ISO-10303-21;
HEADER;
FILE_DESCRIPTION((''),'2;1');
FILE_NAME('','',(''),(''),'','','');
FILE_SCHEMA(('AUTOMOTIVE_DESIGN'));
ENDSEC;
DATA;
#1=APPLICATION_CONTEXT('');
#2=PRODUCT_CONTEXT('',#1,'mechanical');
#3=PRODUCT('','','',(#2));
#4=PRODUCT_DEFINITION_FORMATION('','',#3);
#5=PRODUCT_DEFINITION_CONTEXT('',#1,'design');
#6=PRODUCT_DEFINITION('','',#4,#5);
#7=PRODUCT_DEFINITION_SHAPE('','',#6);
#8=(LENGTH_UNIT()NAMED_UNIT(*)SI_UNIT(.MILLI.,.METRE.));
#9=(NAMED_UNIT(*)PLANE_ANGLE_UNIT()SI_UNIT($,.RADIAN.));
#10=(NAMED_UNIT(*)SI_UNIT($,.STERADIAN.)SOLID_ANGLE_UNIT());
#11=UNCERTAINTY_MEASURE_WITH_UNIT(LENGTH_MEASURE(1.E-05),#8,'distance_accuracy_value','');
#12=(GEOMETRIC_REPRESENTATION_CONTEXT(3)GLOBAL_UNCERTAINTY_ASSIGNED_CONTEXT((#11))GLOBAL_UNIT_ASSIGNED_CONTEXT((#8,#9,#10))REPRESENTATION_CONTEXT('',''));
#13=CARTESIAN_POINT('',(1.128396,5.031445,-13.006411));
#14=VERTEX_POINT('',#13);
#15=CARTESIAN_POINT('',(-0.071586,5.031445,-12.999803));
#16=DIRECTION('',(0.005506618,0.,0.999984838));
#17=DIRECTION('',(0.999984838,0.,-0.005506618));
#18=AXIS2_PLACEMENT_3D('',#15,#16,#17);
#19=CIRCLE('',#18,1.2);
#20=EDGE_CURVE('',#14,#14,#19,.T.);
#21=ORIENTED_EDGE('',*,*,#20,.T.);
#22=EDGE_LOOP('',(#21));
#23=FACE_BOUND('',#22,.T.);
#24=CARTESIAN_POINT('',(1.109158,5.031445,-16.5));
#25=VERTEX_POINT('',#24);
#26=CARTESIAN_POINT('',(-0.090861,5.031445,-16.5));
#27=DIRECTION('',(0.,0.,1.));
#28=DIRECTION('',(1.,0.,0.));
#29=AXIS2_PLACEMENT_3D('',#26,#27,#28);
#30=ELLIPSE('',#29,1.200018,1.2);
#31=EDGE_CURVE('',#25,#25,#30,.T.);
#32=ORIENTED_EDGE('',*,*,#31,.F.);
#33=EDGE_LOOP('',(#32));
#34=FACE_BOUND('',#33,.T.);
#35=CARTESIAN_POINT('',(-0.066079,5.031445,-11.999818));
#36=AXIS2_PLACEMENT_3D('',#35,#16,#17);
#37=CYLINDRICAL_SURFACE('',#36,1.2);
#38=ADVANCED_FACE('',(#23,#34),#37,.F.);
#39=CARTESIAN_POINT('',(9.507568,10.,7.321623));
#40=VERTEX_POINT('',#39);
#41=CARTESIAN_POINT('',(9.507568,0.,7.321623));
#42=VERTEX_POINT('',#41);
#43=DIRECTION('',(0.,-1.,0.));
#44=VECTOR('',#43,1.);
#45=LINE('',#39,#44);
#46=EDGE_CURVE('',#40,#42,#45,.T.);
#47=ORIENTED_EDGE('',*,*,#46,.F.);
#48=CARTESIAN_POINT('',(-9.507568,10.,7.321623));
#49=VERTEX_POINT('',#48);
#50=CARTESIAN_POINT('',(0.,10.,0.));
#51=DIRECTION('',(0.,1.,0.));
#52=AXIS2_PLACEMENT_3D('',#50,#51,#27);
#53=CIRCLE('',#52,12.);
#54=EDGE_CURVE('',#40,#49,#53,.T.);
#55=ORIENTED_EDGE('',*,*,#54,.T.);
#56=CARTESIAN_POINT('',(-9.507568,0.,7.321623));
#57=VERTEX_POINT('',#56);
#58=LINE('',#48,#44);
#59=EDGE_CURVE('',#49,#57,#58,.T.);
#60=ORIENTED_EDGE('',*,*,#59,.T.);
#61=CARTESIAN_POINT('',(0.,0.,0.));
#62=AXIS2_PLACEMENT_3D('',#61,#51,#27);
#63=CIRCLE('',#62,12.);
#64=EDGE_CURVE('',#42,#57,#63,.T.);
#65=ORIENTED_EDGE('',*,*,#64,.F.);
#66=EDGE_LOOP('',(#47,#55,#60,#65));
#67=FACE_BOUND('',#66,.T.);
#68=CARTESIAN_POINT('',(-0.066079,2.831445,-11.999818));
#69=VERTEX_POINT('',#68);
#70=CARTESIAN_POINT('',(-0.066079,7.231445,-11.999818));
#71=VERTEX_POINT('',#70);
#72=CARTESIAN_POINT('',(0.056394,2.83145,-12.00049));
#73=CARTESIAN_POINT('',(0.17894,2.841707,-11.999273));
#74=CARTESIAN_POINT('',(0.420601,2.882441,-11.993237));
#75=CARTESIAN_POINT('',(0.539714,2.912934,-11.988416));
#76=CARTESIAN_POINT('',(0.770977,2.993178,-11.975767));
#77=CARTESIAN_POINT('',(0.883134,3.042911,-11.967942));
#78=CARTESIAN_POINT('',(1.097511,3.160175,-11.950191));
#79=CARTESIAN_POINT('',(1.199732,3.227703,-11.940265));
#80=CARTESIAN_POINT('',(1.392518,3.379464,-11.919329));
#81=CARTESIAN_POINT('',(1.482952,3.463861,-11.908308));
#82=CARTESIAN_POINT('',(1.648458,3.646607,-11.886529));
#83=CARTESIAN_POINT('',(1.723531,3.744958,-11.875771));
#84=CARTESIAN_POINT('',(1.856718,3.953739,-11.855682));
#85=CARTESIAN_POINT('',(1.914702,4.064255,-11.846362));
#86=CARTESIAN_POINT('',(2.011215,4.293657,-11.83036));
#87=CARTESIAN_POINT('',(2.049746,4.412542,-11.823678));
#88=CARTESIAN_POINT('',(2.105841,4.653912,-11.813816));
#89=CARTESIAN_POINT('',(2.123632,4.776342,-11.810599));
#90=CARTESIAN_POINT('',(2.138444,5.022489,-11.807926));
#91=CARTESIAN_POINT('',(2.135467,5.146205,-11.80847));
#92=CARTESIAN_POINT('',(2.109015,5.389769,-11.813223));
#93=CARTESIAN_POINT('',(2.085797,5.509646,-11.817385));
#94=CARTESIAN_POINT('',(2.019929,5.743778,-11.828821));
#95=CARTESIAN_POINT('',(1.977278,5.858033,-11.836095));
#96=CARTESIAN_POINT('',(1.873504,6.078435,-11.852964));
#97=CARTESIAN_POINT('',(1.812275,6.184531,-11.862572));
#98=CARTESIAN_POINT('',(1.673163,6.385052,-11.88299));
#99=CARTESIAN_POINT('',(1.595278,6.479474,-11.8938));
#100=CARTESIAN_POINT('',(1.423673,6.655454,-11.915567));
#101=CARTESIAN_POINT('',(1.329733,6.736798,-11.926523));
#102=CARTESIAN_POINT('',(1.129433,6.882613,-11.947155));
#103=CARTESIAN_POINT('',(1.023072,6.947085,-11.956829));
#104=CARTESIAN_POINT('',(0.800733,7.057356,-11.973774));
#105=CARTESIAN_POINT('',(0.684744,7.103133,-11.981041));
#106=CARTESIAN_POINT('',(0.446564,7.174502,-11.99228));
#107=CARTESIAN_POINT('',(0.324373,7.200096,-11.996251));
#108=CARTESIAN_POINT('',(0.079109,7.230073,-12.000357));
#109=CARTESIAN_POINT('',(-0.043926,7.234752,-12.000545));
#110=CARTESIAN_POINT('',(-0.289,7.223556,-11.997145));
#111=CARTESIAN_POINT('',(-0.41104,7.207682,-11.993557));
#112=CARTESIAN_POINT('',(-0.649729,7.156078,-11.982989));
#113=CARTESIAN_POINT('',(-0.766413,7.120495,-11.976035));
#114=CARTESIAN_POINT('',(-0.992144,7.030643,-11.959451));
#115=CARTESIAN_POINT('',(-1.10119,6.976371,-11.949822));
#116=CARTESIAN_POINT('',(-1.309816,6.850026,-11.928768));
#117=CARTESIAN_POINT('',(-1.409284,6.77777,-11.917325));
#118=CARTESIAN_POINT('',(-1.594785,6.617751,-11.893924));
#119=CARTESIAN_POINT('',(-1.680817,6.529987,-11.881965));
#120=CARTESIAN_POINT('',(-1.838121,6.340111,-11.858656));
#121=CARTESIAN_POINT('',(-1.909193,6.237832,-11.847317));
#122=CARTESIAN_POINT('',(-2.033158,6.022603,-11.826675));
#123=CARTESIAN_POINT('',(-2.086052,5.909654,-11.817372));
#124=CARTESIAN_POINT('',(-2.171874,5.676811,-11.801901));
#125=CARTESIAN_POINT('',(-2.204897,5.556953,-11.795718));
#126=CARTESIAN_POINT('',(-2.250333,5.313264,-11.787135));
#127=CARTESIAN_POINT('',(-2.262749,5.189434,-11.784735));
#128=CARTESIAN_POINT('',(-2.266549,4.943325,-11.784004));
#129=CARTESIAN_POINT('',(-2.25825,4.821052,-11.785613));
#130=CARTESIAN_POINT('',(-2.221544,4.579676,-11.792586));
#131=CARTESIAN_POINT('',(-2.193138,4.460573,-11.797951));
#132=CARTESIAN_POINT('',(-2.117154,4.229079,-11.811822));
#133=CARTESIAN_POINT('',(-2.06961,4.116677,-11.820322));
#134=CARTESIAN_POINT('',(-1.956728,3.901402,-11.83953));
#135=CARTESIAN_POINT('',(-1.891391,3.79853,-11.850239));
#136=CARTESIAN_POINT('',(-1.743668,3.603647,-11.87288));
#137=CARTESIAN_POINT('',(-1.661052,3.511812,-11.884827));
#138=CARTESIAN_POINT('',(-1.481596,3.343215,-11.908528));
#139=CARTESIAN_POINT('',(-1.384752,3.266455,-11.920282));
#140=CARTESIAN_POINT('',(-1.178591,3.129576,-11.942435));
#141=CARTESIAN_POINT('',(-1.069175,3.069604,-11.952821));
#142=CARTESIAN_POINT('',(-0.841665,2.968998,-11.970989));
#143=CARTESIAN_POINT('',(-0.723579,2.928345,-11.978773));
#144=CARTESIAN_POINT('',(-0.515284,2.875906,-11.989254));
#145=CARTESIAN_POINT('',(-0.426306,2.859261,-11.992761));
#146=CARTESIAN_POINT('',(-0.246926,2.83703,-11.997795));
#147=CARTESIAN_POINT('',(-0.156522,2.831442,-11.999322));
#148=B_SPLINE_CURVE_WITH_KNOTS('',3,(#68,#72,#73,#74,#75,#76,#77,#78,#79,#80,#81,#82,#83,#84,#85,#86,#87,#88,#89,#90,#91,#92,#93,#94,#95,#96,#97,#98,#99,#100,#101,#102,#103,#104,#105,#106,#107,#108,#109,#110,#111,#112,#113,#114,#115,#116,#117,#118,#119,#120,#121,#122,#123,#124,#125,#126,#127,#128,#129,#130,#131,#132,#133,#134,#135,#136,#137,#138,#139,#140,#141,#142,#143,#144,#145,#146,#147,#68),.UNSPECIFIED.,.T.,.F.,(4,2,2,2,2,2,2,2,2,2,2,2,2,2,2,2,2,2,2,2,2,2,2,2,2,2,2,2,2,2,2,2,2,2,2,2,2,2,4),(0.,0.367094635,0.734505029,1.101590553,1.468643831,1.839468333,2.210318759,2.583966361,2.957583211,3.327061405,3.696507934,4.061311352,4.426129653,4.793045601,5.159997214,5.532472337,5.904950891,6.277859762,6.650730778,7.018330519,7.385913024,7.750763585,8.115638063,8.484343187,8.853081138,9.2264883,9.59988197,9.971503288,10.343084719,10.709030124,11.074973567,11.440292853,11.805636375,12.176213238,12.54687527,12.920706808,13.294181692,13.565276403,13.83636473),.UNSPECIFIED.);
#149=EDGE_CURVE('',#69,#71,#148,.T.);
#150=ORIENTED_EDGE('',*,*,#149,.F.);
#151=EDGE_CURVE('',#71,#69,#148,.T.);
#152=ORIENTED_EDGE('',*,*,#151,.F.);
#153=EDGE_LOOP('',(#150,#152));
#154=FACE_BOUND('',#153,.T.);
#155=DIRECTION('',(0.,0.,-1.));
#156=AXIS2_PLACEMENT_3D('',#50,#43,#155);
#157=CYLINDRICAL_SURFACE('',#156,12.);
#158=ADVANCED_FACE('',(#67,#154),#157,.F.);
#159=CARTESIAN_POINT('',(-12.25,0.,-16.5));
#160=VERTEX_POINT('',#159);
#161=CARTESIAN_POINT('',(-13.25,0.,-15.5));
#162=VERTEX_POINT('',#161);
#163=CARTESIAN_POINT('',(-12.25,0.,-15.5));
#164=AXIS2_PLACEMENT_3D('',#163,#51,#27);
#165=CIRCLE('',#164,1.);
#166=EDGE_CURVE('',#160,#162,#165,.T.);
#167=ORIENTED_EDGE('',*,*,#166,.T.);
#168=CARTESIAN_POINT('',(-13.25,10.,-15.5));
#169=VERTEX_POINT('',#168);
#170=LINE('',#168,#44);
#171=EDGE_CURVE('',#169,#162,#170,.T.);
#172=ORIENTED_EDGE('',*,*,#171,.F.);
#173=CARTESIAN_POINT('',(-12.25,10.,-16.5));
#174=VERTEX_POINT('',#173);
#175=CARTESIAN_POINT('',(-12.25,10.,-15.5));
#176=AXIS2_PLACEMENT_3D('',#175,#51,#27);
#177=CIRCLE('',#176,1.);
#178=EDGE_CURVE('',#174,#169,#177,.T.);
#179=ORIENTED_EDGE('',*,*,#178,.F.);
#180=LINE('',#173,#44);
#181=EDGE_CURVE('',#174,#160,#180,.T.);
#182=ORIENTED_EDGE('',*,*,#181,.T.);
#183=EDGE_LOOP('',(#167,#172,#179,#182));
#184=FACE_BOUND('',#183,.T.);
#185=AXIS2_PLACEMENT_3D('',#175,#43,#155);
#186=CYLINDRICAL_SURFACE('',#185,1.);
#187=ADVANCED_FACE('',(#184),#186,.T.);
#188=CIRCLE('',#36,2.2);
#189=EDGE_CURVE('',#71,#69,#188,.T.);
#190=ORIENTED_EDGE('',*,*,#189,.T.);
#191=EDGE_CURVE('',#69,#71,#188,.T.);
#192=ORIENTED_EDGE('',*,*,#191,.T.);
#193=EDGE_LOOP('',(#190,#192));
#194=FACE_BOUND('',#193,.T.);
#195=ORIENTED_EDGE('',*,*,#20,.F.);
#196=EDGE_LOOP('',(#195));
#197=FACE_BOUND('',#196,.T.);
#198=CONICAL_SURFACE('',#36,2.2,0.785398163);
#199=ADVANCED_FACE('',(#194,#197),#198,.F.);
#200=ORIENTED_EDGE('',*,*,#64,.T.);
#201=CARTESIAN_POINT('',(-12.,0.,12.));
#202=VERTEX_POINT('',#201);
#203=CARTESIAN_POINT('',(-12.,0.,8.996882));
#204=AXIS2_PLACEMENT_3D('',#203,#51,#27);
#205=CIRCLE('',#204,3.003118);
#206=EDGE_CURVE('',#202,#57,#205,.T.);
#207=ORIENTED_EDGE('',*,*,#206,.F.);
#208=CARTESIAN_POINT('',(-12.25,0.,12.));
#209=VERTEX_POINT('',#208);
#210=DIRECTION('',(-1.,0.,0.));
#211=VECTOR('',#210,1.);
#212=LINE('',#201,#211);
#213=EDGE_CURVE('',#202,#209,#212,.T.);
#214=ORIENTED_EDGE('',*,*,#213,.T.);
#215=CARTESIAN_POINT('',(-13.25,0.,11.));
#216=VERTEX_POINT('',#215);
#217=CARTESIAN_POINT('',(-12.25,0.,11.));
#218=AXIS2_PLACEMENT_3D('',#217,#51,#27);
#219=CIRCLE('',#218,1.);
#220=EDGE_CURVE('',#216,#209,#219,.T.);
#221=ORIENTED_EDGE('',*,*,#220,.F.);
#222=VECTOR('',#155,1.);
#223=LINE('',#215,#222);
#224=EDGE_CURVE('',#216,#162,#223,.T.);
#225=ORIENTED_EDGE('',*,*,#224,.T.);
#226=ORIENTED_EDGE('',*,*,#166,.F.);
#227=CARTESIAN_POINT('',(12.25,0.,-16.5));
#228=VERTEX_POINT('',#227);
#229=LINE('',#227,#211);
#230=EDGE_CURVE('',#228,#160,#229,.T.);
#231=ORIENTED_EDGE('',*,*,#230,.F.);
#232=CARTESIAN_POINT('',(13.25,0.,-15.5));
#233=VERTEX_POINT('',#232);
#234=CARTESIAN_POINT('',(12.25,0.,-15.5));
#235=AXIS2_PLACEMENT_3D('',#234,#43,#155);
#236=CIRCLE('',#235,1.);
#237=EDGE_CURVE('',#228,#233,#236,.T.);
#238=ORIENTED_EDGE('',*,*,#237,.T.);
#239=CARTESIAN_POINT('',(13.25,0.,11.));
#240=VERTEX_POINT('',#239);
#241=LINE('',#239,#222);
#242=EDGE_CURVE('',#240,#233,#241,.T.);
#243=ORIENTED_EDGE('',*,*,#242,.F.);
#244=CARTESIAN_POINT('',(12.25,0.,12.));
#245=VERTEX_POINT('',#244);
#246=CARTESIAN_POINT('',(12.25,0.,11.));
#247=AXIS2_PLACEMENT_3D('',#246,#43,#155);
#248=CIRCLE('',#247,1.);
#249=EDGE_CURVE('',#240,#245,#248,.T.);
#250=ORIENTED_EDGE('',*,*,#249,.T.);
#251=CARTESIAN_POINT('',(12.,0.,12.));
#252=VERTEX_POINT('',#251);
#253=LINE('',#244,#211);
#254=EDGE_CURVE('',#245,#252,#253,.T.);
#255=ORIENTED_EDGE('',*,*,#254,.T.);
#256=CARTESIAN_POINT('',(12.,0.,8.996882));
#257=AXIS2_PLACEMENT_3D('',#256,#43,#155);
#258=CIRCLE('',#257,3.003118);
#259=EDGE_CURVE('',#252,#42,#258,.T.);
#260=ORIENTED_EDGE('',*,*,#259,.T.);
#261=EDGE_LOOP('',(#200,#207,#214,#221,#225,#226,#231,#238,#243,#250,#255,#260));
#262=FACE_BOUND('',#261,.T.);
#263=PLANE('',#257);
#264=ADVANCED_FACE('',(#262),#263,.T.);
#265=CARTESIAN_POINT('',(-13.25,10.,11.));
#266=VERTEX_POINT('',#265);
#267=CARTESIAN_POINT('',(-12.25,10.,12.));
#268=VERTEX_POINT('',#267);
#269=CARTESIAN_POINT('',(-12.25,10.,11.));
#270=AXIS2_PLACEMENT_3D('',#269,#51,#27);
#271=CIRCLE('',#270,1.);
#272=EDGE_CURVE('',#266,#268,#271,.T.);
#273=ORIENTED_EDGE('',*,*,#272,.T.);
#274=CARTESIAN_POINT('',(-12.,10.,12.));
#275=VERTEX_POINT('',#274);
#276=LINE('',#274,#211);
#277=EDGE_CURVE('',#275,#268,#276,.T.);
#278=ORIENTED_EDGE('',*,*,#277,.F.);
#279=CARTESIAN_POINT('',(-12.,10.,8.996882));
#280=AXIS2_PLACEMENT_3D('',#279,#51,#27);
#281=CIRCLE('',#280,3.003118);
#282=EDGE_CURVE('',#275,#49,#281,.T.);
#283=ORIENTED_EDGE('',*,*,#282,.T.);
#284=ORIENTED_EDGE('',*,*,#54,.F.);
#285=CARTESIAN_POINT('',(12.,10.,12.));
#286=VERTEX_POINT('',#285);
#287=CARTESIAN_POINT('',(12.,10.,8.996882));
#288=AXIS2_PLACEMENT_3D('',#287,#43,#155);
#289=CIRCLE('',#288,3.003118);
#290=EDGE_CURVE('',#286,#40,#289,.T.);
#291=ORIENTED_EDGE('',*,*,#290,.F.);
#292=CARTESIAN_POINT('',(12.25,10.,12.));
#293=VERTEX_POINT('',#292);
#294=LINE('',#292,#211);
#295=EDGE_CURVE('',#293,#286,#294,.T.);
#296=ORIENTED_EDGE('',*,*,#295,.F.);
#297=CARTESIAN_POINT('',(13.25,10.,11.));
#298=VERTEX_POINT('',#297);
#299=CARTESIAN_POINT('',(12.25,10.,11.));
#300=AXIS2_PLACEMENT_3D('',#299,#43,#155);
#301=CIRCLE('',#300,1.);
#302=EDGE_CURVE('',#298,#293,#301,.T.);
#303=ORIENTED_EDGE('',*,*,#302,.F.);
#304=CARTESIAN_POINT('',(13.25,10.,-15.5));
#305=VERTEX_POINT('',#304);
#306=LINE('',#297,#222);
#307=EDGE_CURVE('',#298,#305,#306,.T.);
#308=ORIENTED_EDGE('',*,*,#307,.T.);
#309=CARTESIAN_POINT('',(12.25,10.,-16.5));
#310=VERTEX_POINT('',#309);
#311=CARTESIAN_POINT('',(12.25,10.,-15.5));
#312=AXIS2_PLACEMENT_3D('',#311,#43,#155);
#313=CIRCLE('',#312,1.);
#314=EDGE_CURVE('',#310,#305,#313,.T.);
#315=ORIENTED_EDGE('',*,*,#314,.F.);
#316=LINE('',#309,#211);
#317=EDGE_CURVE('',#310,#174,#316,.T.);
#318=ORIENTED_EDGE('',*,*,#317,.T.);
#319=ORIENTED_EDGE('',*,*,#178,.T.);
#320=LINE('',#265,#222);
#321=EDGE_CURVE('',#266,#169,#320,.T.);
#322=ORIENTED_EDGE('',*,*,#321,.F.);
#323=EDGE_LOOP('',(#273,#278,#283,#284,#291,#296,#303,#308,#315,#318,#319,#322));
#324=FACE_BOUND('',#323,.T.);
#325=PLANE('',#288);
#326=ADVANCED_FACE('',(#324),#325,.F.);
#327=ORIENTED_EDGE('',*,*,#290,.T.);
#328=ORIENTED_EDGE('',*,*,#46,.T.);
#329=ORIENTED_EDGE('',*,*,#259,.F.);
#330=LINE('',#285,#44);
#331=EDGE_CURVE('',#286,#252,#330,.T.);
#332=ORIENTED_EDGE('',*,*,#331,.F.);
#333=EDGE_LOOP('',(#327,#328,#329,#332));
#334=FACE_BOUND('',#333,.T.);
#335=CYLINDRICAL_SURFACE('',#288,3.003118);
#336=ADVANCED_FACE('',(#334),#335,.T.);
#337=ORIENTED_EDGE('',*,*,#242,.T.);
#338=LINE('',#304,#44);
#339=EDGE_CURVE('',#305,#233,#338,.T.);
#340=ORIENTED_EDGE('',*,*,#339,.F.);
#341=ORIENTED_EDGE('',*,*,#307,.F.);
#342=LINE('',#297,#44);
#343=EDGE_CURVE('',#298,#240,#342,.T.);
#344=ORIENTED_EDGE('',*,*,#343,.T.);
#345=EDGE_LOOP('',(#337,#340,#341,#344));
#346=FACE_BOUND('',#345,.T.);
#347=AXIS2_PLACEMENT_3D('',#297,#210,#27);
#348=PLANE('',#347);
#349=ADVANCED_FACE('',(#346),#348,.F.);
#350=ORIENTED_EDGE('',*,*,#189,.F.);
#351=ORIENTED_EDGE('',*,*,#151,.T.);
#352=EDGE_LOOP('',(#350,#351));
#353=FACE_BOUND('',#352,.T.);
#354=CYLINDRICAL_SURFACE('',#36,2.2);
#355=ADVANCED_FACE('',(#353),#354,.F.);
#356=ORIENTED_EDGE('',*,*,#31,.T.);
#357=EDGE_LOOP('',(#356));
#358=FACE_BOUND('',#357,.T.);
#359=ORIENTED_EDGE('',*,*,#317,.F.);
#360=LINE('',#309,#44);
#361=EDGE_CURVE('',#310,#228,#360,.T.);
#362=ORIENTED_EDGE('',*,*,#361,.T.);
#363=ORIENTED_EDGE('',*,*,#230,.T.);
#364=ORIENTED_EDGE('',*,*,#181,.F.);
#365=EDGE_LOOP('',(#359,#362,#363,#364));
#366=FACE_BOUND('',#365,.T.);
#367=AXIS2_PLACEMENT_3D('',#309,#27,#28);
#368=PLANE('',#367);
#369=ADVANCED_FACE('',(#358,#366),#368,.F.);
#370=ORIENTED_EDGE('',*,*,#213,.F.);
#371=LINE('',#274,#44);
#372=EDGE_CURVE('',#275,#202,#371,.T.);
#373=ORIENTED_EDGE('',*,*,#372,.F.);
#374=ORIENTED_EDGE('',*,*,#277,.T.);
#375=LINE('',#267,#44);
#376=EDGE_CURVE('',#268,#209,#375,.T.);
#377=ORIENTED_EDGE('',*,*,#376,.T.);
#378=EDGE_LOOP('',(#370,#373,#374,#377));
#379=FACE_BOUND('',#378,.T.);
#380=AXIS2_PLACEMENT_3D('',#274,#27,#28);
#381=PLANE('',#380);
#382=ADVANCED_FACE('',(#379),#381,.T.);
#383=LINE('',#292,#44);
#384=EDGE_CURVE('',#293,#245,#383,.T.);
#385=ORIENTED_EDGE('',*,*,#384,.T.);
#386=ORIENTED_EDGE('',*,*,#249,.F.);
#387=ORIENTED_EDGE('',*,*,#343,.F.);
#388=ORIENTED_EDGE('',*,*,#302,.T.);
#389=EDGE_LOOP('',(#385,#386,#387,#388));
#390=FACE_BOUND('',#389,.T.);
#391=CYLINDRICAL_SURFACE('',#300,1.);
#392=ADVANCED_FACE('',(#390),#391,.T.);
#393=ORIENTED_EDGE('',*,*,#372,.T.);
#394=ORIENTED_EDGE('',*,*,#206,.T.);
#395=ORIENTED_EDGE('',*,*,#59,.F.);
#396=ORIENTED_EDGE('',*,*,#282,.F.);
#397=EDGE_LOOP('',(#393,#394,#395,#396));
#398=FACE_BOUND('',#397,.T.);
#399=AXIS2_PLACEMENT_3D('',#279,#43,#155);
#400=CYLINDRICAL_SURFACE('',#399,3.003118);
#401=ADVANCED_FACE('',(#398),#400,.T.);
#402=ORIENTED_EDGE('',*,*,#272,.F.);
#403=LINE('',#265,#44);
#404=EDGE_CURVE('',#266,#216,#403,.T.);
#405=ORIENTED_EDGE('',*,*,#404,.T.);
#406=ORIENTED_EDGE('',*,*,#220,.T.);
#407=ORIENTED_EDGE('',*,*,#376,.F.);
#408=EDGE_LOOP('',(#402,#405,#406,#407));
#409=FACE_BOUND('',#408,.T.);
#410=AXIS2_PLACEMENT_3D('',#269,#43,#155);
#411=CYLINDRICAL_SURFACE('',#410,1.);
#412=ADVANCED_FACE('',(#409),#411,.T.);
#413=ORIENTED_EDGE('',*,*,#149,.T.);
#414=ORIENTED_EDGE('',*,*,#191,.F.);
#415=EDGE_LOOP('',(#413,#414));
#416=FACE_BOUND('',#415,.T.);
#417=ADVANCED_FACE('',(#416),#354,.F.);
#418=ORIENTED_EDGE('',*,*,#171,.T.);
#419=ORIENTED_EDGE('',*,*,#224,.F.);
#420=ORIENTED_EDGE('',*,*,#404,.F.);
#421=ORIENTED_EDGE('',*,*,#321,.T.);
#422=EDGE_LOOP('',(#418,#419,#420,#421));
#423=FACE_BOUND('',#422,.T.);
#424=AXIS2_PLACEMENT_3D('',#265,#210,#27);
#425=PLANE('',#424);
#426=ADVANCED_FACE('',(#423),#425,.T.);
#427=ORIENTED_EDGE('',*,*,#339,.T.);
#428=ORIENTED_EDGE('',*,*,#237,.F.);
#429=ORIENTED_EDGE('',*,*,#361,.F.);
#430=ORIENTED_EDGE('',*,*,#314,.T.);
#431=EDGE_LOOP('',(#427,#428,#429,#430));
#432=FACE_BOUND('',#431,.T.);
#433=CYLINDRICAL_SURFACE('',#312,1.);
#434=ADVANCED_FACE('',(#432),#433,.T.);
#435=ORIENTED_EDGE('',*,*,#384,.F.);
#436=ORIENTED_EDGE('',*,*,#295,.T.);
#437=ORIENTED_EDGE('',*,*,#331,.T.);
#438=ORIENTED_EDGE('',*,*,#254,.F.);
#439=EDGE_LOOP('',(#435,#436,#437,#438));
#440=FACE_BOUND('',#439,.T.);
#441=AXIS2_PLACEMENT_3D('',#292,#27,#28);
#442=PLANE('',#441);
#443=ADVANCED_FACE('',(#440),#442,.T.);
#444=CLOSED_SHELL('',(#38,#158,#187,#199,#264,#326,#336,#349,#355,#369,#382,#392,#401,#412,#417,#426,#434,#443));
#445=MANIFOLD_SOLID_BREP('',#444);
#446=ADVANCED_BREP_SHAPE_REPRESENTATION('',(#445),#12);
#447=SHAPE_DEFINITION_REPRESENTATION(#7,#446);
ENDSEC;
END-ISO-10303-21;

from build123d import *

# Parameters (mm, degrees)
BOSS_EXTRUDE1_DEPTH                             = 10
CSK_FOR_M2_FLAT_HEAD_MACHINE_SCREW1_D           = 2.4
CSK_FOR_M2_FLAT_HEAD_MACHINE_SCREW1_CSINK_D     = 4.4
CSK_FOR_M2_FLAT_HEAD_MACHINE_SCREW1_CSINK_ANGLE = 90


with BuildPart() as part:
    # Sketch1 → Boss-Extrude1 (new body)
    with BuildSketch(Plane(origin=(0, 0, 0), x_dir=(1, 0, 0), z_dir=(0, 1, 0))):
        with BuildLine():
            Line((12.25, -12), (12, -12))
            ThreePointArc((12, -12), (9.349555065, -10.408922304), (9.507567542, -7.321622732))
            ThreePointArc((9.507567542, -7.321622732), (0, 12), (-9.507567542, -7.321622732))
            ThreePointArc((-9.507567542, -7.321622732), (-9.349555065, -10.408922304), (-12, -12))
            Line((-12, -12), (-12.25, -12))
            ThreePointArc((-12.25, -12), (-12.957106781, -11.707106781), (-13.25, -11))
            Line((-13.25, -11), (-13.25, 15.5))
            ThreePointArc((-13.25, 15.5), (-12.957106781, 16.207106781), (-12.25, 16.5))
            Line((-12.25, 16.5), (12.25, 16.5))
            ThreePointArc((12.25, 16.5), (12.957106781, 16.207106781), (13.25, 15.5))
            Line((13.25, 15.5), (13.25, -11))
            ThreePointArc((13.25, -11), (12.957106781, -11.707106781), (12.25, -12))
        make_face()
    extrude(amount=BOSS_EXTRUDE1_DEPTH)

    # CSK for M2 Flat Head Machine Screw1 (through all)
    with Locations(Plane(origin=(-0.06607942, 5.031445439, -11.999818062), x_dir=(0.999984838462, 0, -0.005506618355), z_dir=(0.005506618355, 0, 0.999984838462))):
        with Locations((0, 0)):
            CounterSinkHole(CSK_FOR_M2_FLAT_HEAD_MACHINE_SCREW1_D / 2, CSK_FOR_M2_FLAT_HEAD_MACHINE_SCREW1_CSINK_D / 2, counter_sink_angle=CSK_FOR_M2_FLAT_HEAD_MACHINE_SCREW1_CSINK_ANGLE)


solid = part.part
